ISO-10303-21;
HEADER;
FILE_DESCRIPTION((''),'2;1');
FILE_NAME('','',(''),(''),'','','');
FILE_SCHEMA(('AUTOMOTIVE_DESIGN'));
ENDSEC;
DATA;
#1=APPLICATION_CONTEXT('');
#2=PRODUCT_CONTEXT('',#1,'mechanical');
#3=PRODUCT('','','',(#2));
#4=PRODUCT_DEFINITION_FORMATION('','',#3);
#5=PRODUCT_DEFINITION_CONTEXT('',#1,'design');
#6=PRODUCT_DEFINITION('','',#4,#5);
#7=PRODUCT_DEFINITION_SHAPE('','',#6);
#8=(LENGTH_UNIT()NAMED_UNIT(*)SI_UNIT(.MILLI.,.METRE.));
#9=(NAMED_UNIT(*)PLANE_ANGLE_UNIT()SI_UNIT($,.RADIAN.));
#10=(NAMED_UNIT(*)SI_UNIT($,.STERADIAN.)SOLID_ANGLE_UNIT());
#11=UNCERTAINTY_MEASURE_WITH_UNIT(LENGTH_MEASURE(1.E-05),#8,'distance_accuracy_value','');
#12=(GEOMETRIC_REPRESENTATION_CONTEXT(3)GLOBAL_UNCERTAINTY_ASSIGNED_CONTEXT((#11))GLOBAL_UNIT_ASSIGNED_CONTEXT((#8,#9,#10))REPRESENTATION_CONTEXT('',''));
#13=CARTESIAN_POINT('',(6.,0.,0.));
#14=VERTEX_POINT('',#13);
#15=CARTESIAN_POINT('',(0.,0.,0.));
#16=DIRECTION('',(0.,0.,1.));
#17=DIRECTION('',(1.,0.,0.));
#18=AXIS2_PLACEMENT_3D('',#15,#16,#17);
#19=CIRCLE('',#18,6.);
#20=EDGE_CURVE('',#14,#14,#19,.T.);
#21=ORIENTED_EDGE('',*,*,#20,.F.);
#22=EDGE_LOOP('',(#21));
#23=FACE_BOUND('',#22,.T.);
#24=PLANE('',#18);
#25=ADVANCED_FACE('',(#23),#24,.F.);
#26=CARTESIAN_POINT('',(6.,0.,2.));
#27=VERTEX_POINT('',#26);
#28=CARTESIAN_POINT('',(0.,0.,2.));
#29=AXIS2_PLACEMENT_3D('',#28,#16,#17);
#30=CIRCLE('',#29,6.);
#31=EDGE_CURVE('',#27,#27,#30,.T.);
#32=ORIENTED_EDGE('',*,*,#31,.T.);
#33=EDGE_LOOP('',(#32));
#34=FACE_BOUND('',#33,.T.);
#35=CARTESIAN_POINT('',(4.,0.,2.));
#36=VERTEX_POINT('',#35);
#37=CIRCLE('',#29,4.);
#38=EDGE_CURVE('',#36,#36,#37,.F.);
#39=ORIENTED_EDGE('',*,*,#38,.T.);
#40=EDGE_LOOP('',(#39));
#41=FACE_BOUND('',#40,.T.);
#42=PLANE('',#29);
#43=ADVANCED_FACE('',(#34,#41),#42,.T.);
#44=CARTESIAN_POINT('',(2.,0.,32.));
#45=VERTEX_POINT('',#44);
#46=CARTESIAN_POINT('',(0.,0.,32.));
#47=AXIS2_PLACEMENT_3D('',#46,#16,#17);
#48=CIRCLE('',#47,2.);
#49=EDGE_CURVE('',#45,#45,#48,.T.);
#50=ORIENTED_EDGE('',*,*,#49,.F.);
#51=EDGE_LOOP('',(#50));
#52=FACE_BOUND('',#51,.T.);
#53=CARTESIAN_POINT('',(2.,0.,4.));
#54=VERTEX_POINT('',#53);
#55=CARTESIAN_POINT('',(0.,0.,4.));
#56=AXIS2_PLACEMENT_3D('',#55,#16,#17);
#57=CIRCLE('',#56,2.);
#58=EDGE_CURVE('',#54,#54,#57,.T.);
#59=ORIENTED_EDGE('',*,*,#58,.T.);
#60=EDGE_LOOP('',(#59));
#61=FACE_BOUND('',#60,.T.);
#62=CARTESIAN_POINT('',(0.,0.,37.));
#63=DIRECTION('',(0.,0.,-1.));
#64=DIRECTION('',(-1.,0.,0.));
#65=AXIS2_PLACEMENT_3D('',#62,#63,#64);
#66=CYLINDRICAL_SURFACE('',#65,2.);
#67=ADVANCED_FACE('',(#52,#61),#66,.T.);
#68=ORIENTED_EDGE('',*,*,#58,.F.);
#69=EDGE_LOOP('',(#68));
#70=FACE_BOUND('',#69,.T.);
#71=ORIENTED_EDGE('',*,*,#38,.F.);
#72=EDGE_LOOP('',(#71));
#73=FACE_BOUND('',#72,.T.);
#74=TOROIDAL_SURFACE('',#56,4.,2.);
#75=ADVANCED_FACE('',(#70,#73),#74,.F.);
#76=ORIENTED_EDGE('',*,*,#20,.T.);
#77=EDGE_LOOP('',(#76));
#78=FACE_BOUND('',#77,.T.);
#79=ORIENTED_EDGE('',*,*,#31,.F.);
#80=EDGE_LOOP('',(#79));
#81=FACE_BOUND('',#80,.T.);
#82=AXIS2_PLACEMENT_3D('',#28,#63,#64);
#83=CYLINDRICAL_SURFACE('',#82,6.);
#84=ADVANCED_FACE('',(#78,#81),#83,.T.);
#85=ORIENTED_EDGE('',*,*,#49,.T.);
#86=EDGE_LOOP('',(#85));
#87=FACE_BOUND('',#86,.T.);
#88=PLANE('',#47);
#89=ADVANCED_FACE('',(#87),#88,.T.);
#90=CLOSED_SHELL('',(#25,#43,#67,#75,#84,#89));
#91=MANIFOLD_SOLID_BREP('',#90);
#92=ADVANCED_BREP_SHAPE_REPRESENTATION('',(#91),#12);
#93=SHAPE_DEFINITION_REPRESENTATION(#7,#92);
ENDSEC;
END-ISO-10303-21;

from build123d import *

# Parameters (mm, degrees)
SKETCH1_R           = 6
BOSS_EXTRUDE1_DEPTH = 2
SKETCH2_R           = 2
BOSS_EXTRUDE2_DEPTH = 35
FILLET1_R           = 2
CUT_EXTRUDE1_START  = -5
SKETCH4_R           = 2
CUT_EXTRUDE1_DEPTH  = 5


with BuildPart() as part:
    # Sketch1 → Boss-Extrude1 (new body)
    with BuildSketch(Plane.XY):
        Circle(SKETCH1_R)
    extrude(amount=BOSS_EXTRUDE1_DEPTH)

    # Sketch2 → Boss-Extrude2 (add)
    with BuildSketch(Plane.XY.offset(2)):
        Circle(SKETCH2_R)
    extrude(amount=BOSS_EXTRUDE2_DEPTH)

    # Fillet1
    fillet1_edges = [part.edges().sort_by_distance(p)[0] for p in [
        (-2, 0, 2),
    ]]
    fillet(fillet1_edges, radius=FILLET1_R)

    # Sketch4 → Cut-Extrude1 (cut)
    with BuildSketch(Plane.XY.offset(37).offset(CUT_EXTRUDE1_START)):
        Circle(SKETCH4_R)
    extrude(amount=CUT_EXTRUDE1_DEPTH, mode=Mode.SUBTRACT)


solid = part.part
